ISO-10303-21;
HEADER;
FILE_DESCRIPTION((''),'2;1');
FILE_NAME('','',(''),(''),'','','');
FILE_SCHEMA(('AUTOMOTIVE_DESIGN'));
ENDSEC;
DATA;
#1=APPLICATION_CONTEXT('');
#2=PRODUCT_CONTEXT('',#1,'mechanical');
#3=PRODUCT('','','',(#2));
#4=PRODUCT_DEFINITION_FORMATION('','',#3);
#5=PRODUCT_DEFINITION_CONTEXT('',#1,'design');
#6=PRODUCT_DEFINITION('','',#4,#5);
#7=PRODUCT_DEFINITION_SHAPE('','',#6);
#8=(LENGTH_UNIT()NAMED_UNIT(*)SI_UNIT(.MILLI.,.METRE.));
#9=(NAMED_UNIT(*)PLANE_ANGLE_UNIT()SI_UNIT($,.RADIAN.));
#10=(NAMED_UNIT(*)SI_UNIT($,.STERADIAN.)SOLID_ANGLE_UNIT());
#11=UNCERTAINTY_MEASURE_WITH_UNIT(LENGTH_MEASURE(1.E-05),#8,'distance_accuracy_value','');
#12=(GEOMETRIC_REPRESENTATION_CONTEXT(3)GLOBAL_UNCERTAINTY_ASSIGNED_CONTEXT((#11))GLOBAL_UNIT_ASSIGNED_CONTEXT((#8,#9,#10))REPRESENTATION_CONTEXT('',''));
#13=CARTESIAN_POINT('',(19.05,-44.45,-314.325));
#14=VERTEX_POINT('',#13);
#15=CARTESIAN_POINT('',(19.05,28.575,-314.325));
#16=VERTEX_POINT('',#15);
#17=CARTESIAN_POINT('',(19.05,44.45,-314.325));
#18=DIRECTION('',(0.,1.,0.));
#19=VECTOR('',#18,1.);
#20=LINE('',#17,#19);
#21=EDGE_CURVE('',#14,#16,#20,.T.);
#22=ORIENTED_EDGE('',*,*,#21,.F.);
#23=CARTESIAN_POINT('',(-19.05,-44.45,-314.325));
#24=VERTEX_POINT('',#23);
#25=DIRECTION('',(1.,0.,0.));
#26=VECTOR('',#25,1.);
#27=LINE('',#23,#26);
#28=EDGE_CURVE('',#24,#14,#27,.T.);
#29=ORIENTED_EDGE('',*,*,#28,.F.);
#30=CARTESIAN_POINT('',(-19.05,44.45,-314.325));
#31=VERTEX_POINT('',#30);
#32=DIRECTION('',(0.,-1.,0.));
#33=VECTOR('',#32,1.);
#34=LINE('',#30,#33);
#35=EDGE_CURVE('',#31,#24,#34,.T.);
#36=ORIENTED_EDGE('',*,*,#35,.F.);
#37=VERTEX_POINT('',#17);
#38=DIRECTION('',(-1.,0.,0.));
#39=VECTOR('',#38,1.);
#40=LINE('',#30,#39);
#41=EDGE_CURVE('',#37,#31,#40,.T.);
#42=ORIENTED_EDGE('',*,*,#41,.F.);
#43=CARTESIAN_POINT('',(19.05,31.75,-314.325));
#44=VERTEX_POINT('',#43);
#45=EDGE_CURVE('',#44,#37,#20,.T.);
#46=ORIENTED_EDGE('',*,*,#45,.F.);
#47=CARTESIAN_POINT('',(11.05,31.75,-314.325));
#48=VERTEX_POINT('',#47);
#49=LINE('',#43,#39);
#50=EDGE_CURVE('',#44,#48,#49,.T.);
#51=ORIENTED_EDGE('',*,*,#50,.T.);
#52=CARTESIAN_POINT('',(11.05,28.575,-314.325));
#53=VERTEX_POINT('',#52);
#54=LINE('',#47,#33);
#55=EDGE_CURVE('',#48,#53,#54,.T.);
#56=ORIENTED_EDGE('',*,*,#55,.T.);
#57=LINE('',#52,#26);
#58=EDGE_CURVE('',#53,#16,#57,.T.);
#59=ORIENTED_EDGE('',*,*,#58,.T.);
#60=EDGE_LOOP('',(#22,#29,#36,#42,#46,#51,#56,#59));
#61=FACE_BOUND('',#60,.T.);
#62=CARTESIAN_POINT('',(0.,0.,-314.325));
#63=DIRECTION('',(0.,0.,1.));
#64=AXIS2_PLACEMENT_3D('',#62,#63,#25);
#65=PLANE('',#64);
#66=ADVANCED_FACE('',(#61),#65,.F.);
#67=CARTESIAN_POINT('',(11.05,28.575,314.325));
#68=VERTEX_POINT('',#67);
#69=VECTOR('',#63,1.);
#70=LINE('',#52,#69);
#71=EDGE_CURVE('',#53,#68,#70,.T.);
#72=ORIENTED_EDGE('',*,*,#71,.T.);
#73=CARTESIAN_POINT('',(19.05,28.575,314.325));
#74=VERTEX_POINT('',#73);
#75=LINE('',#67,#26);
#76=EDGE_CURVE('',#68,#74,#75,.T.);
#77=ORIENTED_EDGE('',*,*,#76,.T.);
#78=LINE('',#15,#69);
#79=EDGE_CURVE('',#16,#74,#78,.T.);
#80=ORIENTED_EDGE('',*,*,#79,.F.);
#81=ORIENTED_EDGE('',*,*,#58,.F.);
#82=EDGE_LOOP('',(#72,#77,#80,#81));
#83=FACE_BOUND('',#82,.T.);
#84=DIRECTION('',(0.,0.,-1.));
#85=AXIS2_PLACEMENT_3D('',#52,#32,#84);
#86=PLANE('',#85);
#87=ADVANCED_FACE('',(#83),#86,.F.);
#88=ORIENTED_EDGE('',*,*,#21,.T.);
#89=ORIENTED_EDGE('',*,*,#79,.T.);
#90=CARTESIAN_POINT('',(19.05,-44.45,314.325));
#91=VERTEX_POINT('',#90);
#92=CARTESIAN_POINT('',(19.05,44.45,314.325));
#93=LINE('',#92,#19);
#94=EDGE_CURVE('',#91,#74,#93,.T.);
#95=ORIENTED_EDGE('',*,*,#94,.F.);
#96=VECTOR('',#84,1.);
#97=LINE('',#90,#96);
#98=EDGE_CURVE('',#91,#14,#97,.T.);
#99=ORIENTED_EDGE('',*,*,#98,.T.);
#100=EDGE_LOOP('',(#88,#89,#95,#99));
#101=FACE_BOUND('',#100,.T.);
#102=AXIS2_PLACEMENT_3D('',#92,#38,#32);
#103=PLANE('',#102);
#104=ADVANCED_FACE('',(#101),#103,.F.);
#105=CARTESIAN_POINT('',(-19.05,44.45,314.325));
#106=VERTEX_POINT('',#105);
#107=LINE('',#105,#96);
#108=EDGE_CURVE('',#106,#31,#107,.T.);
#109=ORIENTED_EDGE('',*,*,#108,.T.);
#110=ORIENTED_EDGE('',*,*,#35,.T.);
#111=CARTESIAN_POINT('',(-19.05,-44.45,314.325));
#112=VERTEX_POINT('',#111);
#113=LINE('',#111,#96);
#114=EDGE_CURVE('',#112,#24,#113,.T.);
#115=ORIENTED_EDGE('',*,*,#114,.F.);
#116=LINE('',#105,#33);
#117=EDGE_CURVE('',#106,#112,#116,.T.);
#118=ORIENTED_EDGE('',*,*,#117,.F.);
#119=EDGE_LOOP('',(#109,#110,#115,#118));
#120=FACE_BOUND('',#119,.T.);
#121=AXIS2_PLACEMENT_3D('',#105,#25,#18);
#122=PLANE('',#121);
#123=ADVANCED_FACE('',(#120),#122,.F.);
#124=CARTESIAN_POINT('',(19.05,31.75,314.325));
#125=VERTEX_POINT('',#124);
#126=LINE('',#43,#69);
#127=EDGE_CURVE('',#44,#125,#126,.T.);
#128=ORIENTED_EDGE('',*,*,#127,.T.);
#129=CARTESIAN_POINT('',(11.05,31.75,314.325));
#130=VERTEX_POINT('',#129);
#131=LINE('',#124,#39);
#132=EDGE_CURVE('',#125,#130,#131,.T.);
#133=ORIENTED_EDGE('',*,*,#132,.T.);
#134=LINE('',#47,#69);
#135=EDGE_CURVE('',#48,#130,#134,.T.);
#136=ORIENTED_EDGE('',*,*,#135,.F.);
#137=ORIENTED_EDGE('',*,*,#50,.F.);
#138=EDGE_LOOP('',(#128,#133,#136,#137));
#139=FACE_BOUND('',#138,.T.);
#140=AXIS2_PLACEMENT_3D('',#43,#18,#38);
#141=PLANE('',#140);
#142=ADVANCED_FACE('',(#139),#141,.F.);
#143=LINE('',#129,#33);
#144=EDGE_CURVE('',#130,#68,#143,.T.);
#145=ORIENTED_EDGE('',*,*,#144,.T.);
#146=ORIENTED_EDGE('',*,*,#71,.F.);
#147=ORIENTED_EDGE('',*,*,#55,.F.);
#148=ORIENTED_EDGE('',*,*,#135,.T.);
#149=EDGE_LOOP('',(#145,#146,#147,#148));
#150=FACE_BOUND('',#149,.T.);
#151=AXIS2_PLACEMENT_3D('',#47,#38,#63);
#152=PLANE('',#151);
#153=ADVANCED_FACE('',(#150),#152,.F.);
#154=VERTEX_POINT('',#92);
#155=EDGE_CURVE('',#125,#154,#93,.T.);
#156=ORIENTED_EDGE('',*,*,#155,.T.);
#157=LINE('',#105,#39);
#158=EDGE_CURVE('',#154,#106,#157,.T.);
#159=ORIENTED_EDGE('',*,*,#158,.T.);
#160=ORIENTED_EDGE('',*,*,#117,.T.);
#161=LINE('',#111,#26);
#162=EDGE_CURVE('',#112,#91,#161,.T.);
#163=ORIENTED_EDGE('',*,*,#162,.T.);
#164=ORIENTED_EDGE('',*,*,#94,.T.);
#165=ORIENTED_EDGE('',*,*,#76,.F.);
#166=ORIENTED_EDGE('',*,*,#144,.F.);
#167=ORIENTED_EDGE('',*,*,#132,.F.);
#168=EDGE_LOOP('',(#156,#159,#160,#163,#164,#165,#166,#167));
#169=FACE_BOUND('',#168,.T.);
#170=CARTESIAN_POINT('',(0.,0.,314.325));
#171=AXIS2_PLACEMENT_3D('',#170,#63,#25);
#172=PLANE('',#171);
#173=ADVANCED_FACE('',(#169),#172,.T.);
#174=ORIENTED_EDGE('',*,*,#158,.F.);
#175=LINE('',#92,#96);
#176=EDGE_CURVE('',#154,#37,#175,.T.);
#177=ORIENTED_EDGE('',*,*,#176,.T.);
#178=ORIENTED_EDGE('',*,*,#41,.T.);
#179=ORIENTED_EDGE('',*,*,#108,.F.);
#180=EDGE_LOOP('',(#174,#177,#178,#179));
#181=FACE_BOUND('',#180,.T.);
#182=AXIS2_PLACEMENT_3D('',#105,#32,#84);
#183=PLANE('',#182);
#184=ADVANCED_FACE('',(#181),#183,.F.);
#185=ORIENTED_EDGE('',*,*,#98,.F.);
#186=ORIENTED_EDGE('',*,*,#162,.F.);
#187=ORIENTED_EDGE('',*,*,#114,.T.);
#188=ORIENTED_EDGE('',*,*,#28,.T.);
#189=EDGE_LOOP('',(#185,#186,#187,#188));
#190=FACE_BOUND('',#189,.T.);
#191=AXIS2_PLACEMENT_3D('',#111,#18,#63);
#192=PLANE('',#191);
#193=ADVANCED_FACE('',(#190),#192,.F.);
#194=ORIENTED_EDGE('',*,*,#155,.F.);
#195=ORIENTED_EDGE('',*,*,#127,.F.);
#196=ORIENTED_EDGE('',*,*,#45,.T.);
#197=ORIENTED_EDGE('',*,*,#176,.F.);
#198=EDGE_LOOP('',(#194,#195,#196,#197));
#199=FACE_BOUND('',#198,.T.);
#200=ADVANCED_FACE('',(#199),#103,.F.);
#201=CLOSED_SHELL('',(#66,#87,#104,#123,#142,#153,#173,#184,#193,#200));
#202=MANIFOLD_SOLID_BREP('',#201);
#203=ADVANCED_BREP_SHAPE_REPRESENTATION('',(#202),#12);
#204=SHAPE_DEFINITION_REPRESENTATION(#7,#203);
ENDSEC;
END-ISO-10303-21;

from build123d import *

# Parameters (mm, degrees)
SKETCH1_W               = 38.1
SKETCH1_H               = 88.9
BOSS_EXTRUDE1_DEPTH     = 314.325
SKETCH2_W               = 8
SKETCH2_H               = 3.175
CUT_EXTRUDE1_DEPTH      = 315.325
CUT_EXTRUDE1_DEPTH_BACK = 315.325


with BuildPart() as part:
    # Sketch1 → Boss-Extrude1 (new body, symmetric)
    with BuildSketch(Plane.XY):
        Rectangle(SKETCH1_W, SKETCH1_H)
    extrude(amount=BOSS_EXTRUDE1_DEPTH, both=True)

    # Sketch2 → Cut-Extrude1 (cut, two sides)
    with BuildSketch(Plane.XY) as cut_extrude1_sk:
        with Locations((15.05, 30.1625)):
            Rectangle(SKETCH2_W, SKETCH2_H)
    extrude(amount=CUT_EXTRUDE1_DEPTH, mode=Mode.SUBTRACT)
    extrude(cut_extrude1_sk.sketch, amount=-CUT_EXTRUDE1_DEPTH_BACK, mode=Mode.SUBTRACT)


solid = part.part
